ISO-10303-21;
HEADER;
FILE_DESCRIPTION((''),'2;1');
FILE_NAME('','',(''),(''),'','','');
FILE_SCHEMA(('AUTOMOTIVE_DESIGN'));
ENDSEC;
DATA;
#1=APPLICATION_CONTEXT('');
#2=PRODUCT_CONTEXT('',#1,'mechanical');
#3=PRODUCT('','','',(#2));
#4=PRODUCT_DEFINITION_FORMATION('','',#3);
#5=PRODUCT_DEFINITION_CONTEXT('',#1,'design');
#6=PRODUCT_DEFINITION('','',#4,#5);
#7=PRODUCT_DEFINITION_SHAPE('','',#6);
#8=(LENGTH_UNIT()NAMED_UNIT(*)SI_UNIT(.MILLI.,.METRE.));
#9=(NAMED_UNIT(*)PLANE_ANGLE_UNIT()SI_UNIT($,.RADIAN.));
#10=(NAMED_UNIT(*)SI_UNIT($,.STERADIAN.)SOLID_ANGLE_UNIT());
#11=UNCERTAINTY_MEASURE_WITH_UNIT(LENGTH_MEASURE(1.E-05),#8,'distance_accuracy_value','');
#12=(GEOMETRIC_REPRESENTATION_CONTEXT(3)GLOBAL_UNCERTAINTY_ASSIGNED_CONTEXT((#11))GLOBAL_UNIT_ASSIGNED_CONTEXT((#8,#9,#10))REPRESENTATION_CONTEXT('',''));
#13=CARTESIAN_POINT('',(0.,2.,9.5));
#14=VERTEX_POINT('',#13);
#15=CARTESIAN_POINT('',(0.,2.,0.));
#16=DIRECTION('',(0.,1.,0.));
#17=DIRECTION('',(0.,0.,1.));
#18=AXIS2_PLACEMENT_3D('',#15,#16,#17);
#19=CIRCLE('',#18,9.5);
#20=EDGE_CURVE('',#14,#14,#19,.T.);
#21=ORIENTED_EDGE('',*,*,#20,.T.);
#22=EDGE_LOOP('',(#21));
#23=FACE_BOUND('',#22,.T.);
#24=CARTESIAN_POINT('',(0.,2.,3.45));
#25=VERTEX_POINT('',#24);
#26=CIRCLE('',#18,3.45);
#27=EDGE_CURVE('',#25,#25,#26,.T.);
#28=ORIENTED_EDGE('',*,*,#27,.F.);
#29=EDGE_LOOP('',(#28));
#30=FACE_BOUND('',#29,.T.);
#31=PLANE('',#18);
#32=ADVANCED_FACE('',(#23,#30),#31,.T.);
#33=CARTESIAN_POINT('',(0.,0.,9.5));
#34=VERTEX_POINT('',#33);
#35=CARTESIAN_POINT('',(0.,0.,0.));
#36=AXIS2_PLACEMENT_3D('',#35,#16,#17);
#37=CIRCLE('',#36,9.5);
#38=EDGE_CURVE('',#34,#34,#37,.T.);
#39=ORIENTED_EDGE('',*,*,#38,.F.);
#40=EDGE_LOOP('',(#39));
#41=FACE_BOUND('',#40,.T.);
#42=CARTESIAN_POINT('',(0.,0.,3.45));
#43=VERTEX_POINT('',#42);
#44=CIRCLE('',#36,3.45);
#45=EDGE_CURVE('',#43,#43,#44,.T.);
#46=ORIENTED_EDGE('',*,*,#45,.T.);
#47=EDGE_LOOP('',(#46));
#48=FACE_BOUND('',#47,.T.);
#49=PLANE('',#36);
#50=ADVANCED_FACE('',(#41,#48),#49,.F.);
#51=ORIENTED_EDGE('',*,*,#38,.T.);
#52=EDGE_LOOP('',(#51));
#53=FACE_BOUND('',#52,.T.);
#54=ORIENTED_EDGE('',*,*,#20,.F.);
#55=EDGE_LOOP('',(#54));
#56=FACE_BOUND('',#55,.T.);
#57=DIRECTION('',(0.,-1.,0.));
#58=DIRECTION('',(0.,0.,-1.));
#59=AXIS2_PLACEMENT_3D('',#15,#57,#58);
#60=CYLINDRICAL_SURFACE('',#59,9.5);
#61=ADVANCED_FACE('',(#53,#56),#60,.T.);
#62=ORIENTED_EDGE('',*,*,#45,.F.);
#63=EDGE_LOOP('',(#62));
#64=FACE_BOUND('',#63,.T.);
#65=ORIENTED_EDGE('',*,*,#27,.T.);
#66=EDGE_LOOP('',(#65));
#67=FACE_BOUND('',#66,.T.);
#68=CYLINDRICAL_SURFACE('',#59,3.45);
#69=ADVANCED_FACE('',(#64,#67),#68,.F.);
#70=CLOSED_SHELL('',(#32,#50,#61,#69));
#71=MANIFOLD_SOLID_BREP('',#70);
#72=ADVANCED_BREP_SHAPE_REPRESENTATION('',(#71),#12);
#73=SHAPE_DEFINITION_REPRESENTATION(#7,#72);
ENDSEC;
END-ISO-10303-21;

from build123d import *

# Parameters (mm, degrees)
ESQUISSE1_R        = 9.5
ESQUISSE1_R_2      = 3.45
BOSS_EXTRU_1_DEPTH = 2


with BuildPart() as part:
    # Esquisse1 → Boss.-Extru.1 (new body)
    with BuildSketch(Plane(origin=(0, 0, 0), x_dir=(1, 0, 0), z_dir=(0, 1, 0))):
        Circle(ESQUISSE1_R)
        Circle(ESQUISSE1_R_2, mode=Mode.SUBTRACT)
    extrude(amount=BOSS_EXTRU_1_DEPTH)


solid = part.part
